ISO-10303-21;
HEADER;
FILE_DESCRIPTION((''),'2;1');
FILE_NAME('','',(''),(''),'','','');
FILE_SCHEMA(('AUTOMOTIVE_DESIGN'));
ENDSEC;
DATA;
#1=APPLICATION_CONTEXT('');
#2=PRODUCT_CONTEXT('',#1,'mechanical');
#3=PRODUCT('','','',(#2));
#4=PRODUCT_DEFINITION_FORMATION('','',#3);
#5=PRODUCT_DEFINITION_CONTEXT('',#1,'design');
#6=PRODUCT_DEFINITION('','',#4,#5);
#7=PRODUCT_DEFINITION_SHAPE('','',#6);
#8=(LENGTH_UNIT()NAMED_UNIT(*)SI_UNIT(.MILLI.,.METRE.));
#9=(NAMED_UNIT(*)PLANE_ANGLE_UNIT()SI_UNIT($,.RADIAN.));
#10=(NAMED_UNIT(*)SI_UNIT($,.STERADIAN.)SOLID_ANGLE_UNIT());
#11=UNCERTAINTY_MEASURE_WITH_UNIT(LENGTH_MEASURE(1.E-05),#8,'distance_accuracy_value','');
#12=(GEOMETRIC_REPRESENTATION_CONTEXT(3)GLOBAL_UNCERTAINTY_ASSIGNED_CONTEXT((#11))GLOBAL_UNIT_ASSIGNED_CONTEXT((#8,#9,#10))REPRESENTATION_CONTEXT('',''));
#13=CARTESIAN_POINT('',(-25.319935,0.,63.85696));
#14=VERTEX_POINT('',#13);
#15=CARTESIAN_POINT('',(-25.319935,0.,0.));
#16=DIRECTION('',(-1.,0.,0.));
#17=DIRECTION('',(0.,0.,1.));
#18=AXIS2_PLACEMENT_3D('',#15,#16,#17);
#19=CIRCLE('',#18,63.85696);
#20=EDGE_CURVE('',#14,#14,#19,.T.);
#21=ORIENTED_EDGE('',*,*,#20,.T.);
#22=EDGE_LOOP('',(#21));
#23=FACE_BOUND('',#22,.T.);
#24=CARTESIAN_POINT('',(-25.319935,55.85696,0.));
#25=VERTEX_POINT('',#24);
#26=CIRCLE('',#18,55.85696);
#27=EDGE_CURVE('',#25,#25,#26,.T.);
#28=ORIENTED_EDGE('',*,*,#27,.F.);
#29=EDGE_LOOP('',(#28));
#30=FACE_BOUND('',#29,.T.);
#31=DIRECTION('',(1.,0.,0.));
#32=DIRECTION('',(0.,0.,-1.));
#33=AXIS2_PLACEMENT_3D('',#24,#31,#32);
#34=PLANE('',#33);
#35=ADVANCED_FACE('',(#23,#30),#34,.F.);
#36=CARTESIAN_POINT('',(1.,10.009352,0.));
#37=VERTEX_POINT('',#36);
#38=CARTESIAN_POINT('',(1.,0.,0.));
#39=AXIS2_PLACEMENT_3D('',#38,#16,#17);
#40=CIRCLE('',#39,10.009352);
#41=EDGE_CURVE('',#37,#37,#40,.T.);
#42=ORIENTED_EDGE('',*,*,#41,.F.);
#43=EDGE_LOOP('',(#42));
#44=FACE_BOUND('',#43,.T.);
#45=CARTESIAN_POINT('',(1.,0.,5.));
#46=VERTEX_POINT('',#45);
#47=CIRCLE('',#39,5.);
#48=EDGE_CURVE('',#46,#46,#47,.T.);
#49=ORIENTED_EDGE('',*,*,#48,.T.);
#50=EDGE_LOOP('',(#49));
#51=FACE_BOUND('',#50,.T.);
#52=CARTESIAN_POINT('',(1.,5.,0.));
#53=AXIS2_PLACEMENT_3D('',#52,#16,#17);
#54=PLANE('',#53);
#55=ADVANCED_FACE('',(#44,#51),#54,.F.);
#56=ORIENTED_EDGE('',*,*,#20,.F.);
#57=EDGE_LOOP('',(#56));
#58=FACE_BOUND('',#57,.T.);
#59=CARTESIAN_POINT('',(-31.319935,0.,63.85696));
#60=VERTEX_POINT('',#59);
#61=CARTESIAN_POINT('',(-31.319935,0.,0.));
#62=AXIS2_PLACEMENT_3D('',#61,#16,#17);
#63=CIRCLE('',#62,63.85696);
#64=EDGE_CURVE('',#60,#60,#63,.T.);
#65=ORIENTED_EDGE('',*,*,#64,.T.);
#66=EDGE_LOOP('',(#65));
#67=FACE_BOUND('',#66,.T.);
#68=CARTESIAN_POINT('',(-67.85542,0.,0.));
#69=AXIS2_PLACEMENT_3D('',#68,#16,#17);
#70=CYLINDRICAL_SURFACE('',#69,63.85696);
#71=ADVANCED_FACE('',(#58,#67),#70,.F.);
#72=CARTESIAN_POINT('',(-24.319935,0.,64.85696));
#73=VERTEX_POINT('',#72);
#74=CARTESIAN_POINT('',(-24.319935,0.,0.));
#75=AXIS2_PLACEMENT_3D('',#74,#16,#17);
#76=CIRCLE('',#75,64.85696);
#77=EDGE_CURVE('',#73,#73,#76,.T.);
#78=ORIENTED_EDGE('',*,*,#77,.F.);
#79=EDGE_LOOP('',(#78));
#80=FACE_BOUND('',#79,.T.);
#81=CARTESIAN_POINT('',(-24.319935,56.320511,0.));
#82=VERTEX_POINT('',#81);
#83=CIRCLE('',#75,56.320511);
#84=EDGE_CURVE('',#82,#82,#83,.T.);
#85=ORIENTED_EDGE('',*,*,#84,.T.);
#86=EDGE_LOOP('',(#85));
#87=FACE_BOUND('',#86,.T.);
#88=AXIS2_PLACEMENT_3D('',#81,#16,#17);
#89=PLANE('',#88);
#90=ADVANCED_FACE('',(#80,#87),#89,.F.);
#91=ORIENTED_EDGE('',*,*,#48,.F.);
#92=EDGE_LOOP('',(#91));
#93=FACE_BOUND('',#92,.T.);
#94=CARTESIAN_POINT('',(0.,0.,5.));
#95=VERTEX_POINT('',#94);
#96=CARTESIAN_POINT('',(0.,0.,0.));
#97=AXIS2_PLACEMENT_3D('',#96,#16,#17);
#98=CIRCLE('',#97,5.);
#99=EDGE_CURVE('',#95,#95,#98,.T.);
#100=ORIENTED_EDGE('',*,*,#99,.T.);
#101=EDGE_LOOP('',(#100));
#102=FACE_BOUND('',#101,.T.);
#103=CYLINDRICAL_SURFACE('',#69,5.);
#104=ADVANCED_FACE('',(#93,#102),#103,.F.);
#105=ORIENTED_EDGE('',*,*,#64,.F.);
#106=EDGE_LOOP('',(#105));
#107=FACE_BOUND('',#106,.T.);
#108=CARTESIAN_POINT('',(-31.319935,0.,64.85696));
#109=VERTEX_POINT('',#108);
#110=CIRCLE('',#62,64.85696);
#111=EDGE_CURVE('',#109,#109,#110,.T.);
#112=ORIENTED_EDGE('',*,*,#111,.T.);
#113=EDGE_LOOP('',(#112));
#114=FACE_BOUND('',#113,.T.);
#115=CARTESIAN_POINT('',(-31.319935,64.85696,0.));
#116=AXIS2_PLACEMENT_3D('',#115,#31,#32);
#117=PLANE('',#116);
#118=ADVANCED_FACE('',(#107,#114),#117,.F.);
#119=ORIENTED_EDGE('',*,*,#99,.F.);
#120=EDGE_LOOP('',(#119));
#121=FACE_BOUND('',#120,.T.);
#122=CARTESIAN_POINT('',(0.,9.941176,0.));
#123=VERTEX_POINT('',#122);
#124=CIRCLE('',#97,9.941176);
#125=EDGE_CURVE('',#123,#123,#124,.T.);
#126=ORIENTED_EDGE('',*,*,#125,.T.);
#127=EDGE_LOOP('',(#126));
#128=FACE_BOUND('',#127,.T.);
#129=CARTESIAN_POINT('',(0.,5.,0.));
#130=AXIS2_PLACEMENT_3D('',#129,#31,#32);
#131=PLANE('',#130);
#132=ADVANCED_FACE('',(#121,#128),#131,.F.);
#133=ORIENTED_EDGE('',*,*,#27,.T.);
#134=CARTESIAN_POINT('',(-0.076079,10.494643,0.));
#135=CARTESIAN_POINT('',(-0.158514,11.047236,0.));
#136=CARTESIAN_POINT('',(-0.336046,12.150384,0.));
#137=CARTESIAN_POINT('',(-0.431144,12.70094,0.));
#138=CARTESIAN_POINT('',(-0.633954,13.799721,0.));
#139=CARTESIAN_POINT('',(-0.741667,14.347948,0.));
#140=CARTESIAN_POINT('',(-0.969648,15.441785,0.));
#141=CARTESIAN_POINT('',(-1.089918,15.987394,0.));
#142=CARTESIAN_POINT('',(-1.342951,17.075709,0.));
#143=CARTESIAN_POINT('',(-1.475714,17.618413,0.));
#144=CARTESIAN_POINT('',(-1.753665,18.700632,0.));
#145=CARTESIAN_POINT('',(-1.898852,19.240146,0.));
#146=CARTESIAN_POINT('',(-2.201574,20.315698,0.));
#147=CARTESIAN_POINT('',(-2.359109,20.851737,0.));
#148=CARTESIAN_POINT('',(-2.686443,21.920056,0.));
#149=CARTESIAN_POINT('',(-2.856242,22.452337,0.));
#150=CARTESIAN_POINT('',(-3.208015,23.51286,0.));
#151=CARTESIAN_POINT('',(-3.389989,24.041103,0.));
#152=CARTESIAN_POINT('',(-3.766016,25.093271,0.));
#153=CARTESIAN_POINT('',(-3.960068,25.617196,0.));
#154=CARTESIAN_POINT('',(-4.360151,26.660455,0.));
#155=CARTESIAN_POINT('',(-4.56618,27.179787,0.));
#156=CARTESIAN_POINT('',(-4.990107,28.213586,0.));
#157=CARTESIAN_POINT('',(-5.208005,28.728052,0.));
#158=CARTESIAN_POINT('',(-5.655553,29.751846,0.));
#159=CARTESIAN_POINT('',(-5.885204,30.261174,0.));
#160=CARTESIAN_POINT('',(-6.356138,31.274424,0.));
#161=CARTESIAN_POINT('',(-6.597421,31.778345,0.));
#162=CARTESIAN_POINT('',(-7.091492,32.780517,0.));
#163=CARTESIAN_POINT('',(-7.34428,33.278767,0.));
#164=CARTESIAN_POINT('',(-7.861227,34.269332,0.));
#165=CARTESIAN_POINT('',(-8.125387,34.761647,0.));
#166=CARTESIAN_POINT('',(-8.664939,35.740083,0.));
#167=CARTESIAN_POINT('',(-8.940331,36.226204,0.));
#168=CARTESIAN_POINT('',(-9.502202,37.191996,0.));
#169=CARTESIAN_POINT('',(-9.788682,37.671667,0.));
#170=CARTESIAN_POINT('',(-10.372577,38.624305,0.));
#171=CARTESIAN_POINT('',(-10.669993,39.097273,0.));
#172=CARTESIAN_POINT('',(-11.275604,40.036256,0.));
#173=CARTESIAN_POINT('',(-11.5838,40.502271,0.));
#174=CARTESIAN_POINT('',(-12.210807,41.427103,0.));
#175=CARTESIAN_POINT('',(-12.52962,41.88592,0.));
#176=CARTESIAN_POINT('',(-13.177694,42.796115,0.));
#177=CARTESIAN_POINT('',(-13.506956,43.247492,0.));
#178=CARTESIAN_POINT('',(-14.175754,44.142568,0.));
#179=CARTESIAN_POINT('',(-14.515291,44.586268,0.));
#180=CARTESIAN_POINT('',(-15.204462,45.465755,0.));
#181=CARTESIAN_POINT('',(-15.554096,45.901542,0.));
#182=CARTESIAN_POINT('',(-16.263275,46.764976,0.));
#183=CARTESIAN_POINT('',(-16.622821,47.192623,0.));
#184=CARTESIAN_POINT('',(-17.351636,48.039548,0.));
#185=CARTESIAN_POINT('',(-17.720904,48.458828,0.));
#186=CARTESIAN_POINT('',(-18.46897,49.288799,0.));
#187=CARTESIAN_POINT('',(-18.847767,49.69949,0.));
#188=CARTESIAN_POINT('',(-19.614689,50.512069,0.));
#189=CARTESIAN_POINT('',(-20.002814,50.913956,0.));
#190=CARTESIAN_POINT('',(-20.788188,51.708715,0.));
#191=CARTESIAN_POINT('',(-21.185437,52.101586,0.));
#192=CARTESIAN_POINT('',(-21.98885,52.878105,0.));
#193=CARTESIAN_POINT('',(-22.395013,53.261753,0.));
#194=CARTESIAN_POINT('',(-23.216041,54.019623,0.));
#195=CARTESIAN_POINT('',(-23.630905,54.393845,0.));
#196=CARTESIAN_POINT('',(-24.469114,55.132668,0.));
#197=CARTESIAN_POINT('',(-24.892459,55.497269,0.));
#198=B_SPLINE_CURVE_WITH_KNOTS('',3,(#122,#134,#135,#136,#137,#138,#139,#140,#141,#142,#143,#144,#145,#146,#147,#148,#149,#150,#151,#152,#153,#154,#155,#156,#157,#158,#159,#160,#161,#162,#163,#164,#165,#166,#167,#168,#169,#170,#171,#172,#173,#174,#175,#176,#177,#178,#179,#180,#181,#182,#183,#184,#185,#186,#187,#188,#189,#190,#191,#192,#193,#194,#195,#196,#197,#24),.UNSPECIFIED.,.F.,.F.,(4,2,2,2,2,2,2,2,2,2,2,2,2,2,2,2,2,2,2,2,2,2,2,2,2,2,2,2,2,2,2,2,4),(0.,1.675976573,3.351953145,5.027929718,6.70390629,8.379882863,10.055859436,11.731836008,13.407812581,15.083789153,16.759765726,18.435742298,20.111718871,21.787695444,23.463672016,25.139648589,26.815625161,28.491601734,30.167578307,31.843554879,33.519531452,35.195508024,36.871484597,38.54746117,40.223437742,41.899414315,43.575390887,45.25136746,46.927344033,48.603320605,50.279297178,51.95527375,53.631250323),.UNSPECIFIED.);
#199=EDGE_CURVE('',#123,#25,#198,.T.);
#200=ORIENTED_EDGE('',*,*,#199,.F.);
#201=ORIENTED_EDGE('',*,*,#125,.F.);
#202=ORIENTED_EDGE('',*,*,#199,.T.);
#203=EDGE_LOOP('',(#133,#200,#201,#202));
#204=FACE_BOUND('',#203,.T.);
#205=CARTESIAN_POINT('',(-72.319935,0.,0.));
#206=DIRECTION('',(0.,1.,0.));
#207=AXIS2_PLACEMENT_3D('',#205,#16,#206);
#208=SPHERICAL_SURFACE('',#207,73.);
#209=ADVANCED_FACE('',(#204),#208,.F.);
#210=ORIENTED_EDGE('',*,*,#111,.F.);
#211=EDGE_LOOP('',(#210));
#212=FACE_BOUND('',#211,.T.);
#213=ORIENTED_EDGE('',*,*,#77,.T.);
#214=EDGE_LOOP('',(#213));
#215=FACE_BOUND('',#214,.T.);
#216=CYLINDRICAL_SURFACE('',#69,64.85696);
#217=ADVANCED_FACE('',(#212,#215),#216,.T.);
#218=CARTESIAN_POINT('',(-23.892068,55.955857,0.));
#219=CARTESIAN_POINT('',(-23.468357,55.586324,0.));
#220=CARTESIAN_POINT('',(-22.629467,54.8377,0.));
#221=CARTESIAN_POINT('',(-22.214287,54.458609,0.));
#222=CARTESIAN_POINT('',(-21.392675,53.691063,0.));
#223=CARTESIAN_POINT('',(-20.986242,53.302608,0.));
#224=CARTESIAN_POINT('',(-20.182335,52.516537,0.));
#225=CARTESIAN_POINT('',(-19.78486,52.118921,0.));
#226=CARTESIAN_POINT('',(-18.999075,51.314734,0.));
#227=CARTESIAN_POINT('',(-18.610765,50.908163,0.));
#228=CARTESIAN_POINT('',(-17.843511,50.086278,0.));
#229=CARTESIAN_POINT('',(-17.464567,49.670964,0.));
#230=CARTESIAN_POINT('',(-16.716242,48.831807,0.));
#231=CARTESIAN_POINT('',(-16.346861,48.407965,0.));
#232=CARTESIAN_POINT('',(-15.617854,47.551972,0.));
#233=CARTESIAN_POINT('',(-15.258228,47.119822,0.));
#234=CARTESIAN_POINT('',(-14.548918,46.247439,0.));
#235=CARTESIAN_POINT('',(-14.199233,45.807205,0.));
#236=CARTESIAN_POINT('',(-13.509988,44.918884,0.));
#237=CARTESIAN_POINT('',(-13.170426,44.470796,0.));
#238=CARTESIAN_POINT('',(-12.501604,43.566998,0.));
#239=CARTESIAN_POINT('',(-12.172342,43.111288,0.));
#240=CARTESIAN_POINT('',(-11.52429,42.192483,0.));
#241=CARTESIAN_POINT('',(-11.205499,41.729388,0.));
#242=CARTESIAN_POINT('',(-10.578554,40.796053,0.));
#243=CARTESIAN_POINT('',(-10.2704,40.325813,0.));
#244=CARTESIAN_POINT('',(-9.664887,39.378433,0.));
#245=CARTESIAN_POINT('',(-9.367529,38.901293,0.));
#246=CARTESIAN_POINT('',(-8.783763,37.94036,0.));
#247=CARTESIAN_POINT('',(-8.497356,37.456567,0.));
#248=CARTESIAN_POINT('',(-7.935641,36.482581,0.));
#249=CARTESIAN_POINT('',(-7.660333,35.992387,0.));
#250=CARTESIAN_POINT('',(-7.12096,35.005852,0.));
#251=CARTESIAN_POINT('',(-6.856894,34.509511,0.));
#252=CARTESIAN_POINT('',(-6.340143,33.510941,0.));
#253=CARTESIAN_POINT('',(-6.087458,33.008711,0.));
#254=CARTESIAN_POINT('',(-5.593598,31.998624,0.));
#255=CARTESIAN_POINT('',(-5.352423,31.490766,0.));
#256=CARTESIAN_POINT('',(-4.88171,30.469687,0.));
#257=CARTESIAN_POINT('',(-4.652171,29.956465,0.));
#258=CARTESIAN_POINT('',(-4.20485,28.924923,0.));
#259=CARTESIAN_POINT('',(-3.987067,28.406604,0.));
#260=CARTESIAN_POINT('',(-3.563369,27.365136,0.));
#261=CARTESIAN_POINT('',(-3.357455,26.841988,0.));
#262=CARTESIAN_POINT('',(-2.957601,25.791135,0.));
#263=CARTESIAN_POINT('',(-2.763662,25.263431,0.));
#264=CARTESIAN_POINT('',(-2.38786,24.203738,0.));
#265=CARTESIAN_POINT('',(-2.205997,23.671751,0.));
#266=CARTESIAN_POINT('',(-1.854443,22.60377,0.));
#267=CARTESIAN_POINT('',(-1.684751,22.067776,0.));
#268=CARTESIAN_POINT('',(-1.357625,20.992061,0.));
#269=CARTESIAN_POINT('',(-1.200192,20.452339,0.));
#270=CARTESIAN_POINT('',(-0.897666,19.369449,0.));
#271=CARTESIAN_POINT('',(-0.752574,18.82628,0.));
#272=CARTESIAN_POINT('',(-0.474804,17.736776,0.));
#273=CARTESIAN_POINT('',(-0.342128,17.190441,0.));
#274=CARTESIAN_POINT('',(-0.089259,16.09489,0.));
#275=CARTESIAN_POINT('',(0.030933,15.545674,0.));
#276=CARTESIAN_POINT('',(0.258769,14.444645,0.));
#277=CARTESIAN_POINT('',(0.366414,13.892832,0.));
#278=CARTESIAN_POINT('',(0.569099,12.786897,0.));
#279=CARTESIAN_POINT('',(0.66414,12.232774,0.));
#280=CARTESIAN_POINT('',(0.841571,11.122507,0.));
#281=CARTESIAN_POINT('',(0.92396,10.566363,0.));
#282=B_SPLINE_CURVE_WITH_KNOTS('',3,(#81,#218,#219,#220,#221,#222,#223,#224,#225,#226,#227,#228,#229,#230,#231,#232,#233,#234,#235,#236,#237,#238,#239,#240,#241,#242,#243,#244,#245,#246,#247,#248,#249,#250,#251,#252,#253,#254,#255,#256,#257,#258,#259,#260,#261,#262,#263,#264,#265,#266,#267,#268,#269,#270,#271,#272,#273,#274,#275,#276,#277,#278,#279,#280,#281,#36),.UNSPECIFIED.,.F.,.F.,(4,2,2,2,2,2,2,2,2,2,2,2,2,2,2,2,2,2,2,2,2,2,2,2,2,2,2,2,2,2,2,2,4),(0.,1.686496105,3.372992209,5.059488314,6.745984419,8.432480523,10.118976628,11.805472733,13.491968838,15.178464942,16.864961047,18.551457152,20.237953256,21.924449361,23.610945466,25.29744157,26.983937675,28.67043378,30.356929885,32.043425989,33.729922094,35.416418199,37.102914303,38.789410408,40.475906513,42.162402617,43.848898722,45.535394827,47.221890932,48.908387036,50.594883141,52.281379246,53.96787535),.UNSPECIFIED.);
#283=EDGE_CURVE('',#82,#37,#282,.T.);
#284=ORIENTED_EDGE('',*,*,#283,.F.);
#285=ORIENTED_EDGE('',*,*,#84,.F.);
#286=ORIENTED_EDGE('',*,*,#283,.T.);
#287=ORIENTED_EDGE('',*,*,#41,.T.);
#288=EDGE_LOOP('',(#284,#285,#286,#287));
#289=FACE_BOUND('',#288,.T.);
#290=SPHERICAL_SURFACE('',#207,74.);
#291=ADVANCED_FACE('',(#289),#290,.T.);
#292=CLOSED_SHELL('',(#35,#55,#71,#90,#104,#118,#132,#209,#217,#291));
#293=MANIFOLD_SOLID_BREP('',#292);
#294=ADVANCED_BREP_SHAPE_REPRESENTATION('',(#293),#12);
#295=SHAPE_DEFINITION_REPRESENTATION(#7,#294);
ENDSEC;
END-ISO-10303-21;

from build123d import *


with BuildPart() as part:
    # Szkic1 → Obrót1 (revolve)
    with BuildSketch(Plane.XY, mode=Mode.PRIVATE) as obr_t1_sk:
        with BuildLine():
            Line((-31.319935083, 63.856960175), (-25.319935083, 63.856960175))
            Line((-25.319935083, 63.856960175), (-25.319935083, 55.856960175))
            ThreePointArc((-25.319935083, 55.856960175), (-8.395162691, 35.250864878), (0, 9.941176471))
            Line((0, 9.941176471), (0, 5))
            Line((0, 5), (1, 5))
            Line((1, 5), (1, 10.0093516))
            ThreePointArc((1, 10.0093516), (-7.390646301, 35.49911912), (-24.319935083, 56.320511361))
            Line((-24.319935083, 56.320511361), (-24.319935083, 64.856960175))
            Line((-24.319935083, 64.856960175), (-31.319935083, 64.856960175))
            Line((-31.319935083, 64.856960175), (-31.319935083, 63.856960175))
        make_face()
    revolve(obr_t1_sk.sketch.rotate(Axis((-67.855420072, 0, 0), (1, 0, 0)), 90), axis=Axis((-67.855420072, 0, 0), (1, 0, 0)))


solid = part.part
